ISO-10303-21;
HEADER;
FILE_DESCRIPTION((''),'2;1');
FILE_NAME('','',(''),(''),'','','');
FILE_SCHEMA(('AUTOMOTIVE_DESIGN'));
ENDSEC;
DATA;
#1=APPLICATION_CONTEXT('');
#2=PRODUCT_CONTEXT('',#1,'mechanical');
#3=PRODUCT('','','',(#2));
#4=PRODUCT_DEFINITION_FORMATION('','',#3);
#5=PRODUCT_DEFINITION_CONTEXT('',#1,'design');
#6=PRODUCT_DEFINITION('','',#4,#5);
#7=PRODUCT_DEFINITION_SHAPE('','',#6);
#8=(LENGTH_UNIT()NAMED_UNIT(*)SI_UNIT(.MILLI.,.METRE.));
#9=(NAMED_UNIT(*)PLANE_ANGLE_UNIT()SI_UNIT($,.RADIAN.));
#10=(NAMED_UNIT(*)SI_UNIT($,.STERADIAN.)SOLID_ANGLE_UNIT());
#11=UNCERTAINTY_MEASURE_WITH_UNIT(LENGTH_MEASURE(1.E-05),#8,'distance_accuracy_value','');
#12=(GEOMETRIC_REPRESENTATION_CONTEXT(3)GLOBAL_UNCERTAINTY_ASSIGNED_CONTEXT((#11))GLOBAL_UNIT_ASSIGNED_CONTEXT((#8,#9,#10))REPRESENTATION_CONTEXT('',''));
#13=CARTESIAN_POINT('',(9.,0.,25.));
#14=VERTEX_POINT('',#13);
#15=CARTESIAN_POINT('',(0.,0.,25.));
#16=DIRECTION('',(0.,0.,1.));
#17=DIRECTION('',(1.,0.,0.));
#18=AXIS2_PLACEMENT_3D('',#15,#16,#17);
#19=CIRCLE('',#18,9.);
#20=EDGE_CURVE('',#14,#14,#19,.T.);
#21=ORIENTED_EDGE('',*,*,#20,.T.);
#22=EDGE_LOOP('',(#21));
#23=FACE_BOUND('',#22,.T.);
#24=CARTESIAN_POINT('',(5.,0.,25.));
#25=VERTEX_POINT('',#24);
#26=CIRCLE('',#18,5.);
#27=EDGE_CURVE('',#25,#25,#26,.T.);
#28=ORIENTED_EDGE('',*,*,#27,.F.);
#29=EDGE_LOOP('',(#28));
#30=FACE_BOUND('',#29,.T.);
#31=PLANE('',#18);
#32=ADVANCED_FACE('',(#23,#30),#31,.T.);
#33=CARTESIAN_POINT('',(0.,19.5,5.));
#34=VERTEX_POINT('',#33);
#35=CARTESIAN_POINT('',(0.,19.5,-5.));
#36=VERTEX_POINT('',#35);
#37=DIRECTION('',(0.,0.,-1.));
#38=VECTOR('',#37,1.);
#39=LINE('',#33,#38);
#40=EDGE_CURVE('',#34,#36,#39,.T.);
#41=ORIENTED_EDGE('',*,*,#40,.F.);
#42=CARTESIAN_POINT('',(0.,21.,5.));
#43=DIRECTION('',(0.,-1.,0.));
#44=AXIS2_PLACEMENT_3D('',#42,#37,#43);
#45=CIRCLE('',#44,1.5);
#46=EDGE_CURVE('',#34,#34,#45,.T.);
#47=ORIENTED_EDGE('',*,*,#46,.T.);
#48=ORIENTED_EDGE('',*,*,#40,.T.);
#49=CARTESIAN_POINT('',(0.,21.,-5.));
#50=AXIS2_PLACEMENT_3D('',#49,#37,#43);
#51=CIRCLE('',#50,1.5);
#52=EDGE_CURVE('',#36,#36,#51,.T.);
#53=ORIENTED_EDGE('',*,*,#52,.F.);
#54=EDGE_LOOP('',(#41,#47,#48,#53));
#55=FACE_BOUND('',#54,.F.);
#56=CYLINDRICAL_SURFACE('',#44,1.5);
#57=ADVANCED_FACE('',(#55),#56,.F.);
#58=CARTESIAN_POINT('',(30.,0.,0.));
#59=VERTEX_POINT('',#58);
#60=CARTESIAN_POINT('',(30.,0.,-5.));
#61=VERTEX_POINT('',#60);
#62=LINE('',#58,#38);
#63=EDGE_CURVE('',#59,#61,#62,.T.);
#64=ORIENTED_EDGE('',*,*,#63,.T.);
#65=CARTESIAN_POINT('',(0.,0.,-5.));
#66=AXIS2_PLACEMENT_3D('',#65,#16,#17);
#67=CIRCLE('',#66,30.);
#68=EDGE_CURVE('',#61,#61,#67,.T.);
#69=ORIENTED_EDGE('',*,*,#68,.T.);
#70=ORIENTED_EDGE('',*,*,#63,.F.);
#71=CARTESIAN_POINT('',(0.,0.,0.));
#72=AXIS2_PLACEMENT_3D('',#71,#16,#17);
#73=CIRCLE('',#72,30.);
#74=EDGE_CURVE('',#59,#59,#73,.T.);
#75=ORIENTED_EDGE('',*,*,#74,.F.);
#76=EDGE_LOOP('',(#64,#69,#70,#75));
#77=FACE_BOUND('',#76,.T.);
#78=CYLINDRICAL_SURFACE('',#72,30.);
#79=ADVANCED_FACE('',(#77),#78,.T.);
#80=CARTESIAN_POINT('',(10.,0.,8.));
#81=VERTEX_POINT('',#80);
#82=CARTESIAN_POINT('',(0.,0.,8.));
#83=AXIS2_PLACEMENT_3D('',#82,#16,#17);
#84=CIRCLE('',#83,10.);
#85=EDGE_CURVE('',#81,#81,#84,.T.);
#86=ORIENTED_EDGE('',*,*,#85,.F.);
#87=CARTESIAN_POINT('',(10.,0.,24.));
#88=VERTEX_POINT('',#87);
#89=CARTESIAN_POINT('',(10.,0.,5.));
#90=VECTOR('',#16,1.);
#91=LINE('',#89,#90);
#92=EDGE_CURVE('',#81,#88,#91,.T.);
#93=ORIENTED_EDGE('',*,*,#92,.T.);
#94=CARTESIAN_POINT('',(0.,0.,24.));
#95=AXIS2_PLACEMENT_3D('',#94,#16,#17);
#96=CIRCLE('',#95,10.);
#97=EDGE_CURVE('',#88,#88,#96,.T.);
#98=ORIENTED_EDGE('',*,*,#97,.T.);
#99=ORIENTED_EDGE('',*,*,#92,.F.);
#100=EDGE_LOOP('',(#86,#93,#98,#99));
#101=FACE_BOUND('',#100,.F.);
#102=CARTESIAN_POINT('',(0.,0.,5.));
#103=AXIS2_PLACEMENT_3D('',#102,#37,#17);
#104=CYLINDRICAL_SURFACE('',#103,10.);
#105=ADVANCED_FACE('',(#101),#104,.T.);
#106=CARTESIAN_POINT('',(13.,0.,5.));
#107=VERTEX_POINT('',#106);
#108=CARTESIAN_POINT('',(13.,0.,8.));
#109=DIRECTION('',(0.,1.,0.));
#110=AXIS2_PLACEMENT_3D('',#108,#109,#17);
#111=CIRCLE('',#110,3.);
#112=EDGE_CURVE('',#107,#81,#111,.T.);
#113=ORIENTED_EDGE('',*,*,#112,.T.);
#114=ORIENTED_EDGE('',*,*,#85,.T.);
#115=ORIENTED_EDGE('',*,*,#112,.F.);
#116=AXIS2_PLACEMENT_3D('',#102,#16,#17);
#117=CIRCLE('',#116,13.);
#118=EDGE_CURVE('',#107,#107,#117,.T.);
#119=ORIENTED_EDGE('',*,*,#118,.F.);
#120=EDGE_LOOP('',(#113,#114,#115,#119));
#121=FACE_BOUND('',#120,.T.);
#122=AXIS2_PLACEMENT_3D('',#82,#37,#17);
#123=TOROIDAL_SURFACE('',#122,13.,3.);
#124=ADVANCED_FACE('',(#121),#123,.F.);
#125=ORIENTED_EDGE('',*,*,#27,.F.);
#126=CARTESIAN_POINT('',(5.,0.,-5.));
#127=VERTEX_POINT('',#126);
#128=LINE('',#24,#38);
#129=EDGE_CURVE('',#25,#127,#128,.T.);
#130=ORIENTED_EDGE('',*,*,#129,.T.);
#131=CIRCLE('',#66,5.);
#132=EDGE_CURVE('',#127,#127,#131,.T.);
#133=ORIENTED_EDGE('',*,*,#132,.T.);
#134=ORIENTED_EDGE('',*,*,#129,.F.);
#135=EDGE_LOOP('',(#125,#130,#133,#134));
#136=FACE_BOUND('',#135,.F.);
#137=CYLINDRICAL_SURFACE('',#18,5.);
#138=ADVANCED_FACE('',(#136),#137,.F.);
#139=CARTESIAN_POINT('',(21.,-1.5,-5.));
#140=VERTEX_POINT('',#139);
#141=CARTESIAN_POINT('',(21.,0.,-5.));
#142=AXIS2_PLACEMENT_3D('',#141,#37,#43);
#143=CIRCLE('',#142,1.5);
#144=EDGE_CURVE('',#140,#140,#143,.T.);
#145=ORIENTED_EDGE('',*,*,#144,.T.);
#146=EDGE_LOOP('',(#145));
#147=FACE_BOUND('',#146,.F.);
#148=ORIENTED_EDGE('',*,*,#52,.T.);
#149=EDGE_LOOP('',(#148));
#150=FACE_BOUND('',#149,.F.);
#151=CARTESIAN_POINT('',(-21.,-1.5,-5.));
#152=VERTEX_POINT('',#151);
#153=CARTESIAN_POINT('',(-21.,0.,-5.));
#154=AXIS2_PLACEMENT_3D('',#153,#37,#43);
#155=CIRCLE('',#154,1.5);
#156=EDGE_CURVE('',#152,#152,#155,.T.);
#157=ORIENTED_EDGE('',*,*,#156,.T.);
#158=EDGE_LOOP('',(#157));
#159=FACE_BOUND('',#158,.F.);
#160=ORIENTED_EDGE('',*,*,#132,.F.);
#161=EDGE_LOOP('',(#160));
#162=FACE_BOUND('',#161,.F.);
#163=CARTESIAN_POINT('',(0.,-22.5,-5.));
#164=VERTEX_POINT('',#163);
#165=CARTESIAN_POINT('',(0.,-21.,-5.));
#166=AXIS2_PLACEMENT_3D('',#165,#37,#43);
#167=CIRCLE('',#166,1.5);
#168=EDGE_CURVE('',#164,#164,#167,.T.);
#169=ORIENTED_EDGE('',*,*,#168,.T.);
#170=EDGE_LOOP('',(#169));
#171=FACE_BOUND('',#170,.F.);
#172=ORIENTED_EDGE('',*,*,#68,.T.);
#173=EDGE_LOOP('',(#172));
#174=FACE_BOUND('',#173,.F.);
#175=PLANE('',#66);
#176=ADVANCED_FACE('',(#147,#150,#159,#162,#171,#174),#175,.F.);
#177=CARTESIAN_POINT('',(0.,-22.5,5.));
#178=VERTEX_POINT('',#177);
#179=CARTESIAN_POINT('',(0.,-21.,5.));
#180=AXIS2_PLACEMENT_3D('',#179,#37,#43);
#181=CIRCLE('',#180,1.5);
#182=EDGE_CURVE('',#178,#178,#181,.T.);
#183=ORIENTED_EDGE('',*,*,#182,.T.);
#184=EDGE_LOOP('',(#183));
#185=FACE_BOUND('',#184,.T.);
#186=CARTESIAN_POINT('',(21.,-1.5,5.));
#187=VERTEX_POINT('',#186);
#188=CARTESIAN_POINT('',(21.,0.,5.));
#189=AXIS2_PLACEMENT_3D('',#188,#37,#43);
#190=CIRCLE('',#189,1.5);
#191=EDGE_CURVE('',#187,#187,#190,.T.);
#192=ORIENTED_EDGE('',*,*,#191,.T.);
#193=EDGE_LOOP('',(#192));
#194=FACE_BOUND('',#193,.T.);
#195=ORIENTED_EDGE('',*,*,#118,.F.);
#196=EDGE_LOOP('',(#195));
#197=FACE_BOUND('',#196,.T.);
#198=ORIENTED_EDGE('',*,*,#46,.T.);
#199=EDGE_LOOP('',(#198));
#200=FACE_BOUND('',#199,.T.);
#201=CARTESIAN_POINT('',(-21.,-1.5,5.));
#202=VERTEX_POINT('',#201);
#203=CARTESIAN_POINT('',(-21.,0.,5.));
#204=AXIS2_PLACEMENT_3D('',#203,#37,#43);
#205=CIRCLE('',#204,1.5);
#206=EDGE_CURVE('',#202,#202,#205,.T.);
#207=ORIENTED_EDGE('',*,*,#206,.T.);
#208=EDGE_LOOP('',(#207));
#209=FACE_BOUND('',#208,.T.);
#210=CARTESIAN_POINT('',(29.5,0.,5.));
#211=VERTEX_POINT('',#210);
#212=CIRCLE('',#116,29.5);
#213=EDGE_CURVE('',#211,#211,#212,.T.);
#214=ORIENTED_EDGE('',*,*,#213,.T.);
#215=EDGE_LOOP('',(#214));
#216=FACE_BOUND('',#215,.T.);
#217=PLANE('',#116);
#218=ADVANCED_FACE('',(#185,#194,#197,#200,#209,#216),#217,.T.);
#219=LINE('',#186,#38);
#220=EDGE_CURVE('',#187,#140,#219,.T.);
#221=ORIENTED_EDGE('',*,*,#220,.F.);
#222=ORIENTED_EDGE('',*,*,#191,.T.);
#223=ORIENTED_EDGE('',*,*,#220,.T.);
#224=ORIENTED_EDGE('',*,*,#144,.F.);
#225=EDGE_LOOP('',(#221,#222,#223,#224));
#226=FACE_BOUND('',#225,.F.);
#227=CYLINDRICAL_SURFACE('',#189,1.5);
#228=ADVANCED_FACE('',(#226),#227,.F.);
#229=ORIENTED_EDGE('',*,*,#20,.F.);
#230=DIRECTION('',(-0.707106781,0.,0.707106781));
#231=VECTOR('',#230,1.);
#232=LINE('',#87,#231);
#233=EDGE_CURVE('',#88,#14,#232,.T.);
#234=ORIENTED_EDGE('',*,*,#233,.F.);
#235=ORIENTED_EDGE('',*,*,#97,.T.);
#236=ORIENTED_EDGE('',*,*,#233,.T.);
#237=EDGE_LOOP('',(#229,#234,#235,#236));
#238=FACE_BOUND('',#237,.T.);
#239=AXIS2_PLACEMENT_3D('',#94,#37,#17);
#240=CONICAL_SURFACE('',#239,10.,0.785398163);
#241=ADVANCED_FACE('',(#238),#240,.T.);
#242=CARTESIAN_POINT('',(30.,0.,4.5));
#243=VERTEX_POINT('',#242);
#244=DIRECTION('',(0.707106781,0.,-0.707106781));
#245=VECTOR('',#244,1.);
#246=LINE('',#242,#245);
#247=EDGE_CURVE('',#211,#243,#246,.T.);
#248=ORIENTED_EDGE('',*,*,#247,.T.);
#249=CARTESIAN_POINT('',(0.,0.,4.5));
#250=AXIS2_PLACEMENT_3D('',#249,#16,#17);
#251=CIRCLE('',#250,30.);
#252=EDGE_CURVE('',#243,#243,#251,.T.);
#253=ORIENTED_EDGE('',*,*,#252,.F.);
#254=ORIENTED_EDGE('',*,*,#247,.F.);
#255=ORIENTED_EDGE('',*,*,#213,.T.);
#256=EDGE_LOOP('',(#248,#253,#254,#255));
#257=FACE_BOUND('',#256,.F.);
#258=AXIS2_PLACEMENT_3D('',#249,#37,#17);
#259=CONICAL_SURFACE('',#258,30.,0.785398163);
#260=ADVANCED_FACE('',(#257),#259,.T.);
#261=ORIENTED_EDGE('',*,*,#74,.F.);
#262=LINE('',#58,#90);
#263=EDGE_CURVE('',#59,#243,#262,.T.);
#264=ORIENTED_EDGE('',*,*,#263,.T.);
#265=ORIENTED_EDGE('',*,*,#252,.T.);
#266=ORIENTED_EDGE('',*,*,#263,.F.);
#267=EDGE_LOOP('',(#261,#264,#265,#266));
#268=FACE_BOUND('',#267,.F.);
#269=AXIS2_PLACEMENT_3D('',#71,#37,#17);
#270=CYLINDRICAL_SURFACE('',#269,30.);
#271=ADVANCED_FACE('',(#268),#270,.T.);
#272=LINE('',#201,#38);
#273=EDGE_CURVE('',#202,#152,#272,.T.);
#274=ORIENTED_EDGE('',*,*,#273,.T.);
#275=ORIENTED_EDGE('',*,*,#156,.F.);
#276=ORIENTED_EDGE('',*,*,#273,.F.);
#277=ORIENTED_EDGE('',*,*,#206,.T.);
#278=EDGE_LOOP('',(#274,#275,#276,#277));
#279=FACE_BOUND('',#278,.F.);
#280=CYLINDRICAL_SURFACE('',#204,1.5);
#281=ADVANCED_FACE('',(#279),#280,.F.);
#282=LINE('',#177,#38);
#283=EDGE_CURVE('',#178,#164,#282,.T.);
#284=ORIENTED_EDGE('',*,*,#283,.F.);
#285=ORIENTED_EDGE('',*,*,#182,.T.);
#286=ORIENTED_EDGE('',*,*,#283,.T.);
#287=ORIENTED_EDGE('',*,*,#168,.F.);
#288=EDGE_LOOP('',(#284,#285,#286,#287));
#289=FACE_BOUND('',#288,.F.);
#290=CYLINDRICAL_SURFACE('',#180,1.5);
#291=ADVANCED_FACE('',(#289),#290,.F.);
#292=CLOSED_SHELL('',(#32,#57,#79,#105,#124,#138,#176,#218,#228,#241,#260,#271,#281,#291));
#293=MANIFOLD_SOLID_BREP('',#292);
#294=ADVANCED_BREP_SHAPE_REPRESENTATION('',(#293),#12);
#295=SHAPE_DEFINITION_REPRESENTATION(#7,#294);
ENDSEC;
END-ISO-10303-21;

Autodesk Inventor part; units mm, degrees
ref_plane "YZ Plane" through (0, 0, 0) normal (1, 0, 0) x (0, 1, 0)
ref_plane "XZ Plane" through (0, 0, 0) normal (0, 1, 0) x (-1, 0, 0)
ref_plane "XY Plane" through (0, 0, 0) normal (0, 0, 1) x (1, 0, 0)
sketch "Sketch1" plane through (0, 0, 0) normal (0, 0, 1) x (1, 0, 0)
  circle A0 centre (0, 0) radius 30
  dimension "d0" = 60
extrude "Extrusion1" add sketch "Sketch1" along normal mid plane 10
sketch "Sketch2" plane through (0, 0, 5) normal (0, 0, 1) x (1, 0, 0)
  circle A0 centre (0, 0) radius 30 projected
  circle A1 centre (0, 0) radius 10
  dimension "d3" = 20
extrude "Extrusion2" add sketch "Sketch2" along normal blind 20 contours A1
sketch "Sketch3" plane through (0, 0, 25) normal (0, 0, 1) x (1, 0, 0)
  circle A0 centre (0, 0) radius 10 projected
  circle A1 centre (0, 0) radius 5
  dimension "d6" = 10
extrude "Extrusion3" cut sketch "Sketch3" against normal through all contours A1
fillet "Fillet1" radius 3 1 edges at (-10, 0, 5)
chamfer "Chamfer1" distance 1 angle 45 1 edges at (-10, 0, 25)
sketch "Sketch5" plane through (0, 0, 5) normal (0, 0, 1) x (1, 0, 0)
  circle A0 centre (0, 0) radius 30 projected
  circle A1 centre (0, 0) radius 5 projected
  point P0 (-21, 0)
  point P1 (21, 0)
  point P2 (0, 21)
  point P3 (0, -21)
  dimension "d14" = 21
  dimension "d15" = 21
  dimension "d16" = 21
  dimension "d17" = 21
hole "Hole1" at (-21, 0, 5) at (21, 0, 5) at (0, 21, 5) at (0, -21, 5) direction (0, 0, -1) diameter 3 end through all
chamfer "Chamfer2" distance 0.5 angle 45 1 edges at (-30, 0, 5)
properties part number "relation"
